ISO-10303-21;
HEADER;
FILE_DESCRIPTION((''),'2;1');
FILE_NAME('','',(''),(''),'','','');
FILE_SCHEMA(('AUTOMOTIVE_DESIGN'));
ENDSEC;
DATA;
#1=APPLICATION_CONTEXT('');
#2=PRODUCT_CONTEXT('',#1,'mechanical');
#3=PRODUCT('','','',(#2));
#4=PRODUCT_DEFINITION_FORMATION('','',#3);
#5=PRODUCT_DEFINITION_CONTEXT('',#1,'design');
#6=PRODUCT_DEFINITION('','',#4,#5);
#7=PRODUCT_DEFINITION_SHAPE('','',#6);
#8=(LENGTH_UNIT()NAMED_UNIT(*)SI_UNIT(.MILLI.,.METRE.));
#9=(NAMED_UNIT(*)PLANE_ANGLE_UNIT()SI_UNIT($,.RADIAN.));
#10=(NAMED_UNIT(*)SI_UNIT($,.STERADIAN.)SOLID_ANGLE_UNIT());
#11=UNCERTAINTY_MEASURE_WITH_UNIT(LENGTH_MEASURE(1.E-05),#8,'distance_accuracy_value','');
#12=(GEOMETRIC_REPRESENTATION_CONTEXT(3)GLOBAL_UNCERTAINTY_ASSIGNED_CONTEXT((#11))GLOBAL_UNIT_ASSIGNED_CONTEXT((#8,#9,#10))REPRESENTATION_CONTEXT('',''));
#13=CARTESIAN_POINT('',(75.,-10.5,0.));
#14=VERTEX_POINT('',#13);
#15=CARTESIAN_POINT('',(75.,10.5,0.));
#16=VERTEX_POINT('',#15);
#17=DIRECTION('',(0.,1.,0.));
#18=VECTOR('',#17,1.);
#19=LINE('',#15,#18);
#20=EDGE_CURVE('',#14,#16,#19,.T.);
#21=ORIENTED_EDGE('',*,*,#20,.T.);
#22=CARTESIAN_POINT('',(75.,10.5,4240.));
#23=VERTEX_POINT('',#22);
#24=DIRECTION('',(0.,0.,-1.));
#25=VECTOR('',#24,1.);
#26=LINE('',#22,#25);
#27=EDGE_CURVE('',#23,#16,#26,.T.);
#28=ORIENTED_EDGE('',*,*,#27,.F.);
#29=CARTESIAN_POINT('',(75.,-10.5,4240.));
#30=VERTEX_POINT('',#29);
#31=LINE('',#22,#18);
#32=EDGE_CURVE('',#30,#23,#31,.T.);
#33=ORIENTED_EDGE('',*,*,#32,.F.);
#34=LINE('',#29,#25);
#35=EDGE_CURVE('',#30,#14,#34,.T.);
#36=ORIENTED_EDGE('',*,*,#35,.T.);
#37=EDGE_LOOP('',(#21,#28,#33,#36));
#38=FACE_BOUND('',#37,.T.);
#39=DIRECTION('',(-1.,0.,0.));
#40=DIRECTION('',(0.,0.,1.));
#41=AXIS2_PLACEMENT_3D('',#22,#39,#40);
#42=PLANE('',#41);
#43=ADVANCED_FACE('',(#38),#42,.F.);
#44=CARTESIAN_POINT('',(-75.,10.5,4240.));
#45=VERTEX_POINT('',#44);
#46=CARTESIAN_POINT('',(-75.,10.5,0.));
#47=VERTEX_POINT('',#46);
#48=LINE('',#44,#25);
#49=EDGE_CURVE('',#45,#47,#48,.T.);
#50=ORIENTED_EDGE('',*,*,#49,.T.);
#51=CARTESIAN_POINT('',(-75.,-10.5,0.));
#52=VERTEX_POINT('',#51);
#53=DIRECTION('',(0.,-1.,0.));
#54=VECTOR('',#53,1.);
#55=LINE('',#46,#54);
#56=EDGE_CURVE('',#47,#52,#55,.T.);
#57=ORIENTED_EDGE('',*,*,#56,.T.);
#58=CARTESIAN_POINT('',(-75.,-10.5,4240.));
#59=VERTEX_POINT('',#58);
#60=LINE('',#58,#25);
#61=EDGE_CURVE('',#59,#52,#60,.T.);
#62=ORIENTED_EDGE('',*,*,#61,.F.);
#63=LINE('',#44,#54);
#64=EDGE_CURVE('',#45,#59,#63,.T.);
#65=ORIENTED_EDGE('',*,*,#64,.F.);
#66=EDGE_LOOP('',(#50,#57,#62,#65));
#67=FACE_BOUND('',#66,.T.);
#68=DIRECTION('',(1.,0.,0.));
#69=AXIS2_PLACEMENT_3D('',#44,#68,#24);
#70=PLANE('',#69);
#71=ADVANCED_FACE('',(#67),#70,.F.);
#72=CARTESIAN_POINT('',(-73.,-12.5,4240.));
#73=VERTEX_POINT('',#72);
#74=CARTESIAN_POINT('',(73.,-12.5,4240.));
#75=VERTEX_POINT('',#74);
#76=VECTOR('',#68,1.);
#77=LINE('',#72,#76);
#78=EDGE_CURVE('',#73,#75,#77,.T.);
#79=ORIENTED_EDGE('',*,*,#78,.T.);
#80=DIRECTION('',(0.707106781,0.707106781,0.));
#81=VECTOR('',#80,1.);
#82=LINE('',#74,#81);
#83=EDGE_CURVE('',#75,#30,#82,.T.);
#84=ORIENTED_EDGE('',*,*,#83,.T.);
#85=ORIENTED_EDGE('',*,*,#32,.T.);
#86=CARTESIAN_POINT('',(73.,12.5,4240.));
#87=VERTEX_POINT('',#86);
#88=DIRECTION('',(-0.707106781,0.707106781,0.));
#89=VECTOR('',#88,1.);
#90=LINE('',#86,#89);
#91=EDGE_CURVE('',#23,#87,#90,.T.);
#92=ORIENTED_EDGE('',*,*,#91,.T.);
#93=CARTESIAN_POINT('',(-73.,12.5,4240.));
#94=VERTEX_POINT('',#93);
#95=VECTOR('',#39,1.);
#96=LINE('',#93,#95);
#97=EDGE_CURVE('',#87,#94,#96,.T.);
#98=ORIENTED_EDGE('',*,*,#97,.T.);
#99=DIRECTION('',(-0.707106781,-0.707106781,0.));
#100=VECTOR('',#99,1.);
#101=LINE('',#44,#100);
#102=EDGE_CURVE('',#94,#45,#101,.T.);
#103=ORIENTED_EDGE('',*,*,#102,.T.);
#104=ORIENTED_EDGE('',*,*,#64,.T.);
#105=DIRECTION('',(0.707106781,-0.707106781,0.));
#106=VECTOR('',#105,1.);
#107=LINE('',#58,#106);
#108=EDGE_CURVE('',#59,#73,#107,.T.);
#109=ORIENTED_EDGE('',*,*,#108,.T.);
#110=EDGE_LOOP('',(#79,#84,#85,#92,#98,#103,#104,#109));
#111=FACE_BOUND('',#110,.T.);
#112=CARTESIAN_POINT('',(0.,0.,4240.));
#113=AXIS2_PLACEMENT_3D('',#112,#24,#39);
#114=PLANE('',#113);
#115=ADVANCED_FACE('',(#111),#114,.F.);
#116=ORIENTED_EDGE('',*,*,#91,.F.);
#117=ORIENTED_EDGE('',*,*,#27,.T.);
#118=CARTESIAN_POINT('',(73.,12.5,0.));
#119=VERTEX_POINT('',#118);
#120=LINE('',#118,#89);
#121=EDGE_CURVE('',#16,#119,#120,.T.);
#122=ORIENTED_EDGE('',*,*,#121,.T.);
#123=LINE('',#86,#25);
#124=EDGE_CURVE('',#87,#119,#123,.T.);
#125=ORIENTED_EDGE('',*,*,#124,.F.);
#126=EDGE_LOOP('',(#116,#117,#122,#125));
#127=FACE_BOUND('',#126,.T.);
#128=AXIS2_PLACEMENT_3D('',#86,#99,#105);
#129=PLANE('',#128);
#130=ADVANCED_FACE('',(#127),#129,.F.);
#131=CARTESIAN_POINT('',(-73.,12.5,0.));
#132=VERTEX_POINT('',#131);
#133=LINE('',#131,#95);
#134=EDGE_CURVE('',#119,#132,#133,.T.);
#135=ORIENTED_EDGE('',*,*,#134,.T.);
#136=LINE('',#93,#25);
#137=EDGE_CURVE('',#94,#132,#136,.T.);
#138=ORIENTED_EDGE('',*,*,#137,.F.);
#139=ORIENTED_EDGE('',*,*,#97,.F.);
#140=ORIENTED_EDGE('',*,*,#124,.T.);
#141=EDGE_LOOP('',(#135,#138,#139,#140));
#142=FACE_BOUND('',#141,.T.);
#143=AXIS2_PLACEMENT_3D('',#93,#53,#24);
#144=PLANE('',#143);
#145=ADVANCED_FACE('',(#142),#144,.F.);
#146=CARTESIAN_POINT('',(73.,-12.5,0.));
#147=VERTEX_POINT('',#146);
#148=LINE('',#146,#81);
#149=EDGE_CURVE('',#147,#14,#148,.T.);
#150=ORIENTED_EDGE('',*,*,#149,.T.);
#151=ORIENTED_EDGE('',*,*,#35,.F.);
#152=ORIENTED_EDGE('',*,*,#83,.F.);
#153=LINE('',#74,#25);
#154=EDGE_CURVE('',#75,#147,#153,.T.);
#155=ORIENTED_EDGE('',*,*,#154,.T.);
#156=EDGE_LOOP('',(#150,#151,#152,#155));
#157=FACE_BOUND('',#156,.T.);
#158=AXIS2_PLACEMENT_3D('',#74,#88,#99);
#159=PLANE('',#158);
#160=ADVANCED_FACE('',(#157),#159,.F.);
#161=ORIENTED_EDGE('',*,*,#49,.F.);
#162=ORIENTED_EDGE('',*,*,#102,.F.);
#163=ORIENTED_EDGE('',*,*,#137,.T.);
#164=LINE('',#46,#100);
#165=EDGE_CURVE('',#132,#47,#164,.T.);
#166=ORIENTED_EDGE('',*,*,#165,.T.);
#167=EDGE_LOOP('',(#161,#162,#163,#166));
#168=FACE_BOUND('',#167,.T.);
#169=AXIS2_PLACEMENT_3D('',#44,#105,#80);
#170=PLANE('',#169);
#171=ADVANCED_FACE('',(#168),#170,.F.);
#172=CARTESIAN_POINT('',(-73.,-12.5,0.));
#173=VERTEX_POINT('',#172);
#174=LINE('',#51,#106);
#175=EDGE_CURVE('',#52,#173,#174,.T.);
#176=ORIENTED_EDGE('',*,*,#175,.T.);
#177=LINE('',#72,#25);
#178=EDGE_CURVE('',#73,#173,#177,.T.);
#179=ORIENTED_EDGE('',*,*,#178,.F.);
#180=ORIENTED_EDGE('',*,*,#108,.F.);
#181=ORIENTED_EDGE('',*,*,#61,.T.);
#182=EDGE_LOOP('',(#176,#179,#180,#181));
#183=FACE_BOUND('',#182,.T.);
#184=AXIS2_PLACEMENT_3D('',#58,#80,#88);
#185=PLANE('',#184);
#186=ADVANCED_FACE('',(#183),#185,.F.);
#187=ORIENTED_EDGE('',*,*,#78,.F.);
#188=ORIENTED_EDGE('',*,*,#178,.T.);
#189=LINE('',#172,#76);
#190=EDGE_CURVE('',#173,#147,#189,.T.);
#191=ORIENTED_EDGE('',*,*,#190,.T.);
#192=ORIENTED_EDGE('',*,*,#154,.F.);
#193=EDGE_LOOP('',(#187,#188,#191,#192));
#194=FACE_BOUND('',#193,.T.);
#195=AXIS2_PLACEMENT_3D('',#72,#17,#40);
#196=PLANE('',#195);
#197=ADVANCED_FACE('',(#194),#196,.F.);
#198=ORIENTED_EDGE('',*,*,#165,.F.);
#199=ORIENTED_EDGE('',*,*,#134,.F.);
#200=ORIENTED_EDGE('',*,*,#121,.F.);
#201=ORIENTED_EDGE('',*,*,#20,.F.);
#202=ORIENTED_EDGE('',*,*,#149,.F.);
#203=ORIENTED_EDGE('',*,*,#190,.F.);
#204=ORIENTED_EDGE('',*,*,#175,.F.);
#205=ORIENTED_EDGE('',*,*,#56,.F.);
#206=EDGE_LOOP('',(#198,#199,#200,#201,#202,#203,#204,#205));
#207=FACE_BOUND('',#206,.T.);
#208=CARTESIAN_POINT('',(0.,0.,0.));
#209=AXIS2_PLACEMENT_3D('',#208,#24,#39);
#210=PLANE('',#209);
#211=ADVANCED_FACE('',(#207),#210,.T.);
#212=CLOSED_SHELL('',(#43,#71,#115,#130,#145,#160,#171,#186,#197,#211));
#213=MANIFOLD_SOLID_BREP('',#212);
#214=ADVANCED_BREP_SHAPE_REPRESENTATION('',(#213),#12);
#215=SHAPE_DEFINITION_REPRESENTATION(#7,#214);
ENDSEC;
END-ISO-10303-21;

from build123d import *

# Parameters (mm, degrees)
EXTRUDE_1_DEPTH = 4240


with BuildPart() as part:
    # Эскиз1 → Бобышка-Вытянуть1 (new body)
    with BuildSketch(Plane.XY):
        Polygon((-75, 10.5), (-73, 12.5), (73, 12.5), (75, 10.5), (75, -10.5), (73, -12.5), (-73, -12.5), (-75, -10.5), align=None)
    extrude(amount=EXTRUDE_1_DEPTH)


solid = part.part
